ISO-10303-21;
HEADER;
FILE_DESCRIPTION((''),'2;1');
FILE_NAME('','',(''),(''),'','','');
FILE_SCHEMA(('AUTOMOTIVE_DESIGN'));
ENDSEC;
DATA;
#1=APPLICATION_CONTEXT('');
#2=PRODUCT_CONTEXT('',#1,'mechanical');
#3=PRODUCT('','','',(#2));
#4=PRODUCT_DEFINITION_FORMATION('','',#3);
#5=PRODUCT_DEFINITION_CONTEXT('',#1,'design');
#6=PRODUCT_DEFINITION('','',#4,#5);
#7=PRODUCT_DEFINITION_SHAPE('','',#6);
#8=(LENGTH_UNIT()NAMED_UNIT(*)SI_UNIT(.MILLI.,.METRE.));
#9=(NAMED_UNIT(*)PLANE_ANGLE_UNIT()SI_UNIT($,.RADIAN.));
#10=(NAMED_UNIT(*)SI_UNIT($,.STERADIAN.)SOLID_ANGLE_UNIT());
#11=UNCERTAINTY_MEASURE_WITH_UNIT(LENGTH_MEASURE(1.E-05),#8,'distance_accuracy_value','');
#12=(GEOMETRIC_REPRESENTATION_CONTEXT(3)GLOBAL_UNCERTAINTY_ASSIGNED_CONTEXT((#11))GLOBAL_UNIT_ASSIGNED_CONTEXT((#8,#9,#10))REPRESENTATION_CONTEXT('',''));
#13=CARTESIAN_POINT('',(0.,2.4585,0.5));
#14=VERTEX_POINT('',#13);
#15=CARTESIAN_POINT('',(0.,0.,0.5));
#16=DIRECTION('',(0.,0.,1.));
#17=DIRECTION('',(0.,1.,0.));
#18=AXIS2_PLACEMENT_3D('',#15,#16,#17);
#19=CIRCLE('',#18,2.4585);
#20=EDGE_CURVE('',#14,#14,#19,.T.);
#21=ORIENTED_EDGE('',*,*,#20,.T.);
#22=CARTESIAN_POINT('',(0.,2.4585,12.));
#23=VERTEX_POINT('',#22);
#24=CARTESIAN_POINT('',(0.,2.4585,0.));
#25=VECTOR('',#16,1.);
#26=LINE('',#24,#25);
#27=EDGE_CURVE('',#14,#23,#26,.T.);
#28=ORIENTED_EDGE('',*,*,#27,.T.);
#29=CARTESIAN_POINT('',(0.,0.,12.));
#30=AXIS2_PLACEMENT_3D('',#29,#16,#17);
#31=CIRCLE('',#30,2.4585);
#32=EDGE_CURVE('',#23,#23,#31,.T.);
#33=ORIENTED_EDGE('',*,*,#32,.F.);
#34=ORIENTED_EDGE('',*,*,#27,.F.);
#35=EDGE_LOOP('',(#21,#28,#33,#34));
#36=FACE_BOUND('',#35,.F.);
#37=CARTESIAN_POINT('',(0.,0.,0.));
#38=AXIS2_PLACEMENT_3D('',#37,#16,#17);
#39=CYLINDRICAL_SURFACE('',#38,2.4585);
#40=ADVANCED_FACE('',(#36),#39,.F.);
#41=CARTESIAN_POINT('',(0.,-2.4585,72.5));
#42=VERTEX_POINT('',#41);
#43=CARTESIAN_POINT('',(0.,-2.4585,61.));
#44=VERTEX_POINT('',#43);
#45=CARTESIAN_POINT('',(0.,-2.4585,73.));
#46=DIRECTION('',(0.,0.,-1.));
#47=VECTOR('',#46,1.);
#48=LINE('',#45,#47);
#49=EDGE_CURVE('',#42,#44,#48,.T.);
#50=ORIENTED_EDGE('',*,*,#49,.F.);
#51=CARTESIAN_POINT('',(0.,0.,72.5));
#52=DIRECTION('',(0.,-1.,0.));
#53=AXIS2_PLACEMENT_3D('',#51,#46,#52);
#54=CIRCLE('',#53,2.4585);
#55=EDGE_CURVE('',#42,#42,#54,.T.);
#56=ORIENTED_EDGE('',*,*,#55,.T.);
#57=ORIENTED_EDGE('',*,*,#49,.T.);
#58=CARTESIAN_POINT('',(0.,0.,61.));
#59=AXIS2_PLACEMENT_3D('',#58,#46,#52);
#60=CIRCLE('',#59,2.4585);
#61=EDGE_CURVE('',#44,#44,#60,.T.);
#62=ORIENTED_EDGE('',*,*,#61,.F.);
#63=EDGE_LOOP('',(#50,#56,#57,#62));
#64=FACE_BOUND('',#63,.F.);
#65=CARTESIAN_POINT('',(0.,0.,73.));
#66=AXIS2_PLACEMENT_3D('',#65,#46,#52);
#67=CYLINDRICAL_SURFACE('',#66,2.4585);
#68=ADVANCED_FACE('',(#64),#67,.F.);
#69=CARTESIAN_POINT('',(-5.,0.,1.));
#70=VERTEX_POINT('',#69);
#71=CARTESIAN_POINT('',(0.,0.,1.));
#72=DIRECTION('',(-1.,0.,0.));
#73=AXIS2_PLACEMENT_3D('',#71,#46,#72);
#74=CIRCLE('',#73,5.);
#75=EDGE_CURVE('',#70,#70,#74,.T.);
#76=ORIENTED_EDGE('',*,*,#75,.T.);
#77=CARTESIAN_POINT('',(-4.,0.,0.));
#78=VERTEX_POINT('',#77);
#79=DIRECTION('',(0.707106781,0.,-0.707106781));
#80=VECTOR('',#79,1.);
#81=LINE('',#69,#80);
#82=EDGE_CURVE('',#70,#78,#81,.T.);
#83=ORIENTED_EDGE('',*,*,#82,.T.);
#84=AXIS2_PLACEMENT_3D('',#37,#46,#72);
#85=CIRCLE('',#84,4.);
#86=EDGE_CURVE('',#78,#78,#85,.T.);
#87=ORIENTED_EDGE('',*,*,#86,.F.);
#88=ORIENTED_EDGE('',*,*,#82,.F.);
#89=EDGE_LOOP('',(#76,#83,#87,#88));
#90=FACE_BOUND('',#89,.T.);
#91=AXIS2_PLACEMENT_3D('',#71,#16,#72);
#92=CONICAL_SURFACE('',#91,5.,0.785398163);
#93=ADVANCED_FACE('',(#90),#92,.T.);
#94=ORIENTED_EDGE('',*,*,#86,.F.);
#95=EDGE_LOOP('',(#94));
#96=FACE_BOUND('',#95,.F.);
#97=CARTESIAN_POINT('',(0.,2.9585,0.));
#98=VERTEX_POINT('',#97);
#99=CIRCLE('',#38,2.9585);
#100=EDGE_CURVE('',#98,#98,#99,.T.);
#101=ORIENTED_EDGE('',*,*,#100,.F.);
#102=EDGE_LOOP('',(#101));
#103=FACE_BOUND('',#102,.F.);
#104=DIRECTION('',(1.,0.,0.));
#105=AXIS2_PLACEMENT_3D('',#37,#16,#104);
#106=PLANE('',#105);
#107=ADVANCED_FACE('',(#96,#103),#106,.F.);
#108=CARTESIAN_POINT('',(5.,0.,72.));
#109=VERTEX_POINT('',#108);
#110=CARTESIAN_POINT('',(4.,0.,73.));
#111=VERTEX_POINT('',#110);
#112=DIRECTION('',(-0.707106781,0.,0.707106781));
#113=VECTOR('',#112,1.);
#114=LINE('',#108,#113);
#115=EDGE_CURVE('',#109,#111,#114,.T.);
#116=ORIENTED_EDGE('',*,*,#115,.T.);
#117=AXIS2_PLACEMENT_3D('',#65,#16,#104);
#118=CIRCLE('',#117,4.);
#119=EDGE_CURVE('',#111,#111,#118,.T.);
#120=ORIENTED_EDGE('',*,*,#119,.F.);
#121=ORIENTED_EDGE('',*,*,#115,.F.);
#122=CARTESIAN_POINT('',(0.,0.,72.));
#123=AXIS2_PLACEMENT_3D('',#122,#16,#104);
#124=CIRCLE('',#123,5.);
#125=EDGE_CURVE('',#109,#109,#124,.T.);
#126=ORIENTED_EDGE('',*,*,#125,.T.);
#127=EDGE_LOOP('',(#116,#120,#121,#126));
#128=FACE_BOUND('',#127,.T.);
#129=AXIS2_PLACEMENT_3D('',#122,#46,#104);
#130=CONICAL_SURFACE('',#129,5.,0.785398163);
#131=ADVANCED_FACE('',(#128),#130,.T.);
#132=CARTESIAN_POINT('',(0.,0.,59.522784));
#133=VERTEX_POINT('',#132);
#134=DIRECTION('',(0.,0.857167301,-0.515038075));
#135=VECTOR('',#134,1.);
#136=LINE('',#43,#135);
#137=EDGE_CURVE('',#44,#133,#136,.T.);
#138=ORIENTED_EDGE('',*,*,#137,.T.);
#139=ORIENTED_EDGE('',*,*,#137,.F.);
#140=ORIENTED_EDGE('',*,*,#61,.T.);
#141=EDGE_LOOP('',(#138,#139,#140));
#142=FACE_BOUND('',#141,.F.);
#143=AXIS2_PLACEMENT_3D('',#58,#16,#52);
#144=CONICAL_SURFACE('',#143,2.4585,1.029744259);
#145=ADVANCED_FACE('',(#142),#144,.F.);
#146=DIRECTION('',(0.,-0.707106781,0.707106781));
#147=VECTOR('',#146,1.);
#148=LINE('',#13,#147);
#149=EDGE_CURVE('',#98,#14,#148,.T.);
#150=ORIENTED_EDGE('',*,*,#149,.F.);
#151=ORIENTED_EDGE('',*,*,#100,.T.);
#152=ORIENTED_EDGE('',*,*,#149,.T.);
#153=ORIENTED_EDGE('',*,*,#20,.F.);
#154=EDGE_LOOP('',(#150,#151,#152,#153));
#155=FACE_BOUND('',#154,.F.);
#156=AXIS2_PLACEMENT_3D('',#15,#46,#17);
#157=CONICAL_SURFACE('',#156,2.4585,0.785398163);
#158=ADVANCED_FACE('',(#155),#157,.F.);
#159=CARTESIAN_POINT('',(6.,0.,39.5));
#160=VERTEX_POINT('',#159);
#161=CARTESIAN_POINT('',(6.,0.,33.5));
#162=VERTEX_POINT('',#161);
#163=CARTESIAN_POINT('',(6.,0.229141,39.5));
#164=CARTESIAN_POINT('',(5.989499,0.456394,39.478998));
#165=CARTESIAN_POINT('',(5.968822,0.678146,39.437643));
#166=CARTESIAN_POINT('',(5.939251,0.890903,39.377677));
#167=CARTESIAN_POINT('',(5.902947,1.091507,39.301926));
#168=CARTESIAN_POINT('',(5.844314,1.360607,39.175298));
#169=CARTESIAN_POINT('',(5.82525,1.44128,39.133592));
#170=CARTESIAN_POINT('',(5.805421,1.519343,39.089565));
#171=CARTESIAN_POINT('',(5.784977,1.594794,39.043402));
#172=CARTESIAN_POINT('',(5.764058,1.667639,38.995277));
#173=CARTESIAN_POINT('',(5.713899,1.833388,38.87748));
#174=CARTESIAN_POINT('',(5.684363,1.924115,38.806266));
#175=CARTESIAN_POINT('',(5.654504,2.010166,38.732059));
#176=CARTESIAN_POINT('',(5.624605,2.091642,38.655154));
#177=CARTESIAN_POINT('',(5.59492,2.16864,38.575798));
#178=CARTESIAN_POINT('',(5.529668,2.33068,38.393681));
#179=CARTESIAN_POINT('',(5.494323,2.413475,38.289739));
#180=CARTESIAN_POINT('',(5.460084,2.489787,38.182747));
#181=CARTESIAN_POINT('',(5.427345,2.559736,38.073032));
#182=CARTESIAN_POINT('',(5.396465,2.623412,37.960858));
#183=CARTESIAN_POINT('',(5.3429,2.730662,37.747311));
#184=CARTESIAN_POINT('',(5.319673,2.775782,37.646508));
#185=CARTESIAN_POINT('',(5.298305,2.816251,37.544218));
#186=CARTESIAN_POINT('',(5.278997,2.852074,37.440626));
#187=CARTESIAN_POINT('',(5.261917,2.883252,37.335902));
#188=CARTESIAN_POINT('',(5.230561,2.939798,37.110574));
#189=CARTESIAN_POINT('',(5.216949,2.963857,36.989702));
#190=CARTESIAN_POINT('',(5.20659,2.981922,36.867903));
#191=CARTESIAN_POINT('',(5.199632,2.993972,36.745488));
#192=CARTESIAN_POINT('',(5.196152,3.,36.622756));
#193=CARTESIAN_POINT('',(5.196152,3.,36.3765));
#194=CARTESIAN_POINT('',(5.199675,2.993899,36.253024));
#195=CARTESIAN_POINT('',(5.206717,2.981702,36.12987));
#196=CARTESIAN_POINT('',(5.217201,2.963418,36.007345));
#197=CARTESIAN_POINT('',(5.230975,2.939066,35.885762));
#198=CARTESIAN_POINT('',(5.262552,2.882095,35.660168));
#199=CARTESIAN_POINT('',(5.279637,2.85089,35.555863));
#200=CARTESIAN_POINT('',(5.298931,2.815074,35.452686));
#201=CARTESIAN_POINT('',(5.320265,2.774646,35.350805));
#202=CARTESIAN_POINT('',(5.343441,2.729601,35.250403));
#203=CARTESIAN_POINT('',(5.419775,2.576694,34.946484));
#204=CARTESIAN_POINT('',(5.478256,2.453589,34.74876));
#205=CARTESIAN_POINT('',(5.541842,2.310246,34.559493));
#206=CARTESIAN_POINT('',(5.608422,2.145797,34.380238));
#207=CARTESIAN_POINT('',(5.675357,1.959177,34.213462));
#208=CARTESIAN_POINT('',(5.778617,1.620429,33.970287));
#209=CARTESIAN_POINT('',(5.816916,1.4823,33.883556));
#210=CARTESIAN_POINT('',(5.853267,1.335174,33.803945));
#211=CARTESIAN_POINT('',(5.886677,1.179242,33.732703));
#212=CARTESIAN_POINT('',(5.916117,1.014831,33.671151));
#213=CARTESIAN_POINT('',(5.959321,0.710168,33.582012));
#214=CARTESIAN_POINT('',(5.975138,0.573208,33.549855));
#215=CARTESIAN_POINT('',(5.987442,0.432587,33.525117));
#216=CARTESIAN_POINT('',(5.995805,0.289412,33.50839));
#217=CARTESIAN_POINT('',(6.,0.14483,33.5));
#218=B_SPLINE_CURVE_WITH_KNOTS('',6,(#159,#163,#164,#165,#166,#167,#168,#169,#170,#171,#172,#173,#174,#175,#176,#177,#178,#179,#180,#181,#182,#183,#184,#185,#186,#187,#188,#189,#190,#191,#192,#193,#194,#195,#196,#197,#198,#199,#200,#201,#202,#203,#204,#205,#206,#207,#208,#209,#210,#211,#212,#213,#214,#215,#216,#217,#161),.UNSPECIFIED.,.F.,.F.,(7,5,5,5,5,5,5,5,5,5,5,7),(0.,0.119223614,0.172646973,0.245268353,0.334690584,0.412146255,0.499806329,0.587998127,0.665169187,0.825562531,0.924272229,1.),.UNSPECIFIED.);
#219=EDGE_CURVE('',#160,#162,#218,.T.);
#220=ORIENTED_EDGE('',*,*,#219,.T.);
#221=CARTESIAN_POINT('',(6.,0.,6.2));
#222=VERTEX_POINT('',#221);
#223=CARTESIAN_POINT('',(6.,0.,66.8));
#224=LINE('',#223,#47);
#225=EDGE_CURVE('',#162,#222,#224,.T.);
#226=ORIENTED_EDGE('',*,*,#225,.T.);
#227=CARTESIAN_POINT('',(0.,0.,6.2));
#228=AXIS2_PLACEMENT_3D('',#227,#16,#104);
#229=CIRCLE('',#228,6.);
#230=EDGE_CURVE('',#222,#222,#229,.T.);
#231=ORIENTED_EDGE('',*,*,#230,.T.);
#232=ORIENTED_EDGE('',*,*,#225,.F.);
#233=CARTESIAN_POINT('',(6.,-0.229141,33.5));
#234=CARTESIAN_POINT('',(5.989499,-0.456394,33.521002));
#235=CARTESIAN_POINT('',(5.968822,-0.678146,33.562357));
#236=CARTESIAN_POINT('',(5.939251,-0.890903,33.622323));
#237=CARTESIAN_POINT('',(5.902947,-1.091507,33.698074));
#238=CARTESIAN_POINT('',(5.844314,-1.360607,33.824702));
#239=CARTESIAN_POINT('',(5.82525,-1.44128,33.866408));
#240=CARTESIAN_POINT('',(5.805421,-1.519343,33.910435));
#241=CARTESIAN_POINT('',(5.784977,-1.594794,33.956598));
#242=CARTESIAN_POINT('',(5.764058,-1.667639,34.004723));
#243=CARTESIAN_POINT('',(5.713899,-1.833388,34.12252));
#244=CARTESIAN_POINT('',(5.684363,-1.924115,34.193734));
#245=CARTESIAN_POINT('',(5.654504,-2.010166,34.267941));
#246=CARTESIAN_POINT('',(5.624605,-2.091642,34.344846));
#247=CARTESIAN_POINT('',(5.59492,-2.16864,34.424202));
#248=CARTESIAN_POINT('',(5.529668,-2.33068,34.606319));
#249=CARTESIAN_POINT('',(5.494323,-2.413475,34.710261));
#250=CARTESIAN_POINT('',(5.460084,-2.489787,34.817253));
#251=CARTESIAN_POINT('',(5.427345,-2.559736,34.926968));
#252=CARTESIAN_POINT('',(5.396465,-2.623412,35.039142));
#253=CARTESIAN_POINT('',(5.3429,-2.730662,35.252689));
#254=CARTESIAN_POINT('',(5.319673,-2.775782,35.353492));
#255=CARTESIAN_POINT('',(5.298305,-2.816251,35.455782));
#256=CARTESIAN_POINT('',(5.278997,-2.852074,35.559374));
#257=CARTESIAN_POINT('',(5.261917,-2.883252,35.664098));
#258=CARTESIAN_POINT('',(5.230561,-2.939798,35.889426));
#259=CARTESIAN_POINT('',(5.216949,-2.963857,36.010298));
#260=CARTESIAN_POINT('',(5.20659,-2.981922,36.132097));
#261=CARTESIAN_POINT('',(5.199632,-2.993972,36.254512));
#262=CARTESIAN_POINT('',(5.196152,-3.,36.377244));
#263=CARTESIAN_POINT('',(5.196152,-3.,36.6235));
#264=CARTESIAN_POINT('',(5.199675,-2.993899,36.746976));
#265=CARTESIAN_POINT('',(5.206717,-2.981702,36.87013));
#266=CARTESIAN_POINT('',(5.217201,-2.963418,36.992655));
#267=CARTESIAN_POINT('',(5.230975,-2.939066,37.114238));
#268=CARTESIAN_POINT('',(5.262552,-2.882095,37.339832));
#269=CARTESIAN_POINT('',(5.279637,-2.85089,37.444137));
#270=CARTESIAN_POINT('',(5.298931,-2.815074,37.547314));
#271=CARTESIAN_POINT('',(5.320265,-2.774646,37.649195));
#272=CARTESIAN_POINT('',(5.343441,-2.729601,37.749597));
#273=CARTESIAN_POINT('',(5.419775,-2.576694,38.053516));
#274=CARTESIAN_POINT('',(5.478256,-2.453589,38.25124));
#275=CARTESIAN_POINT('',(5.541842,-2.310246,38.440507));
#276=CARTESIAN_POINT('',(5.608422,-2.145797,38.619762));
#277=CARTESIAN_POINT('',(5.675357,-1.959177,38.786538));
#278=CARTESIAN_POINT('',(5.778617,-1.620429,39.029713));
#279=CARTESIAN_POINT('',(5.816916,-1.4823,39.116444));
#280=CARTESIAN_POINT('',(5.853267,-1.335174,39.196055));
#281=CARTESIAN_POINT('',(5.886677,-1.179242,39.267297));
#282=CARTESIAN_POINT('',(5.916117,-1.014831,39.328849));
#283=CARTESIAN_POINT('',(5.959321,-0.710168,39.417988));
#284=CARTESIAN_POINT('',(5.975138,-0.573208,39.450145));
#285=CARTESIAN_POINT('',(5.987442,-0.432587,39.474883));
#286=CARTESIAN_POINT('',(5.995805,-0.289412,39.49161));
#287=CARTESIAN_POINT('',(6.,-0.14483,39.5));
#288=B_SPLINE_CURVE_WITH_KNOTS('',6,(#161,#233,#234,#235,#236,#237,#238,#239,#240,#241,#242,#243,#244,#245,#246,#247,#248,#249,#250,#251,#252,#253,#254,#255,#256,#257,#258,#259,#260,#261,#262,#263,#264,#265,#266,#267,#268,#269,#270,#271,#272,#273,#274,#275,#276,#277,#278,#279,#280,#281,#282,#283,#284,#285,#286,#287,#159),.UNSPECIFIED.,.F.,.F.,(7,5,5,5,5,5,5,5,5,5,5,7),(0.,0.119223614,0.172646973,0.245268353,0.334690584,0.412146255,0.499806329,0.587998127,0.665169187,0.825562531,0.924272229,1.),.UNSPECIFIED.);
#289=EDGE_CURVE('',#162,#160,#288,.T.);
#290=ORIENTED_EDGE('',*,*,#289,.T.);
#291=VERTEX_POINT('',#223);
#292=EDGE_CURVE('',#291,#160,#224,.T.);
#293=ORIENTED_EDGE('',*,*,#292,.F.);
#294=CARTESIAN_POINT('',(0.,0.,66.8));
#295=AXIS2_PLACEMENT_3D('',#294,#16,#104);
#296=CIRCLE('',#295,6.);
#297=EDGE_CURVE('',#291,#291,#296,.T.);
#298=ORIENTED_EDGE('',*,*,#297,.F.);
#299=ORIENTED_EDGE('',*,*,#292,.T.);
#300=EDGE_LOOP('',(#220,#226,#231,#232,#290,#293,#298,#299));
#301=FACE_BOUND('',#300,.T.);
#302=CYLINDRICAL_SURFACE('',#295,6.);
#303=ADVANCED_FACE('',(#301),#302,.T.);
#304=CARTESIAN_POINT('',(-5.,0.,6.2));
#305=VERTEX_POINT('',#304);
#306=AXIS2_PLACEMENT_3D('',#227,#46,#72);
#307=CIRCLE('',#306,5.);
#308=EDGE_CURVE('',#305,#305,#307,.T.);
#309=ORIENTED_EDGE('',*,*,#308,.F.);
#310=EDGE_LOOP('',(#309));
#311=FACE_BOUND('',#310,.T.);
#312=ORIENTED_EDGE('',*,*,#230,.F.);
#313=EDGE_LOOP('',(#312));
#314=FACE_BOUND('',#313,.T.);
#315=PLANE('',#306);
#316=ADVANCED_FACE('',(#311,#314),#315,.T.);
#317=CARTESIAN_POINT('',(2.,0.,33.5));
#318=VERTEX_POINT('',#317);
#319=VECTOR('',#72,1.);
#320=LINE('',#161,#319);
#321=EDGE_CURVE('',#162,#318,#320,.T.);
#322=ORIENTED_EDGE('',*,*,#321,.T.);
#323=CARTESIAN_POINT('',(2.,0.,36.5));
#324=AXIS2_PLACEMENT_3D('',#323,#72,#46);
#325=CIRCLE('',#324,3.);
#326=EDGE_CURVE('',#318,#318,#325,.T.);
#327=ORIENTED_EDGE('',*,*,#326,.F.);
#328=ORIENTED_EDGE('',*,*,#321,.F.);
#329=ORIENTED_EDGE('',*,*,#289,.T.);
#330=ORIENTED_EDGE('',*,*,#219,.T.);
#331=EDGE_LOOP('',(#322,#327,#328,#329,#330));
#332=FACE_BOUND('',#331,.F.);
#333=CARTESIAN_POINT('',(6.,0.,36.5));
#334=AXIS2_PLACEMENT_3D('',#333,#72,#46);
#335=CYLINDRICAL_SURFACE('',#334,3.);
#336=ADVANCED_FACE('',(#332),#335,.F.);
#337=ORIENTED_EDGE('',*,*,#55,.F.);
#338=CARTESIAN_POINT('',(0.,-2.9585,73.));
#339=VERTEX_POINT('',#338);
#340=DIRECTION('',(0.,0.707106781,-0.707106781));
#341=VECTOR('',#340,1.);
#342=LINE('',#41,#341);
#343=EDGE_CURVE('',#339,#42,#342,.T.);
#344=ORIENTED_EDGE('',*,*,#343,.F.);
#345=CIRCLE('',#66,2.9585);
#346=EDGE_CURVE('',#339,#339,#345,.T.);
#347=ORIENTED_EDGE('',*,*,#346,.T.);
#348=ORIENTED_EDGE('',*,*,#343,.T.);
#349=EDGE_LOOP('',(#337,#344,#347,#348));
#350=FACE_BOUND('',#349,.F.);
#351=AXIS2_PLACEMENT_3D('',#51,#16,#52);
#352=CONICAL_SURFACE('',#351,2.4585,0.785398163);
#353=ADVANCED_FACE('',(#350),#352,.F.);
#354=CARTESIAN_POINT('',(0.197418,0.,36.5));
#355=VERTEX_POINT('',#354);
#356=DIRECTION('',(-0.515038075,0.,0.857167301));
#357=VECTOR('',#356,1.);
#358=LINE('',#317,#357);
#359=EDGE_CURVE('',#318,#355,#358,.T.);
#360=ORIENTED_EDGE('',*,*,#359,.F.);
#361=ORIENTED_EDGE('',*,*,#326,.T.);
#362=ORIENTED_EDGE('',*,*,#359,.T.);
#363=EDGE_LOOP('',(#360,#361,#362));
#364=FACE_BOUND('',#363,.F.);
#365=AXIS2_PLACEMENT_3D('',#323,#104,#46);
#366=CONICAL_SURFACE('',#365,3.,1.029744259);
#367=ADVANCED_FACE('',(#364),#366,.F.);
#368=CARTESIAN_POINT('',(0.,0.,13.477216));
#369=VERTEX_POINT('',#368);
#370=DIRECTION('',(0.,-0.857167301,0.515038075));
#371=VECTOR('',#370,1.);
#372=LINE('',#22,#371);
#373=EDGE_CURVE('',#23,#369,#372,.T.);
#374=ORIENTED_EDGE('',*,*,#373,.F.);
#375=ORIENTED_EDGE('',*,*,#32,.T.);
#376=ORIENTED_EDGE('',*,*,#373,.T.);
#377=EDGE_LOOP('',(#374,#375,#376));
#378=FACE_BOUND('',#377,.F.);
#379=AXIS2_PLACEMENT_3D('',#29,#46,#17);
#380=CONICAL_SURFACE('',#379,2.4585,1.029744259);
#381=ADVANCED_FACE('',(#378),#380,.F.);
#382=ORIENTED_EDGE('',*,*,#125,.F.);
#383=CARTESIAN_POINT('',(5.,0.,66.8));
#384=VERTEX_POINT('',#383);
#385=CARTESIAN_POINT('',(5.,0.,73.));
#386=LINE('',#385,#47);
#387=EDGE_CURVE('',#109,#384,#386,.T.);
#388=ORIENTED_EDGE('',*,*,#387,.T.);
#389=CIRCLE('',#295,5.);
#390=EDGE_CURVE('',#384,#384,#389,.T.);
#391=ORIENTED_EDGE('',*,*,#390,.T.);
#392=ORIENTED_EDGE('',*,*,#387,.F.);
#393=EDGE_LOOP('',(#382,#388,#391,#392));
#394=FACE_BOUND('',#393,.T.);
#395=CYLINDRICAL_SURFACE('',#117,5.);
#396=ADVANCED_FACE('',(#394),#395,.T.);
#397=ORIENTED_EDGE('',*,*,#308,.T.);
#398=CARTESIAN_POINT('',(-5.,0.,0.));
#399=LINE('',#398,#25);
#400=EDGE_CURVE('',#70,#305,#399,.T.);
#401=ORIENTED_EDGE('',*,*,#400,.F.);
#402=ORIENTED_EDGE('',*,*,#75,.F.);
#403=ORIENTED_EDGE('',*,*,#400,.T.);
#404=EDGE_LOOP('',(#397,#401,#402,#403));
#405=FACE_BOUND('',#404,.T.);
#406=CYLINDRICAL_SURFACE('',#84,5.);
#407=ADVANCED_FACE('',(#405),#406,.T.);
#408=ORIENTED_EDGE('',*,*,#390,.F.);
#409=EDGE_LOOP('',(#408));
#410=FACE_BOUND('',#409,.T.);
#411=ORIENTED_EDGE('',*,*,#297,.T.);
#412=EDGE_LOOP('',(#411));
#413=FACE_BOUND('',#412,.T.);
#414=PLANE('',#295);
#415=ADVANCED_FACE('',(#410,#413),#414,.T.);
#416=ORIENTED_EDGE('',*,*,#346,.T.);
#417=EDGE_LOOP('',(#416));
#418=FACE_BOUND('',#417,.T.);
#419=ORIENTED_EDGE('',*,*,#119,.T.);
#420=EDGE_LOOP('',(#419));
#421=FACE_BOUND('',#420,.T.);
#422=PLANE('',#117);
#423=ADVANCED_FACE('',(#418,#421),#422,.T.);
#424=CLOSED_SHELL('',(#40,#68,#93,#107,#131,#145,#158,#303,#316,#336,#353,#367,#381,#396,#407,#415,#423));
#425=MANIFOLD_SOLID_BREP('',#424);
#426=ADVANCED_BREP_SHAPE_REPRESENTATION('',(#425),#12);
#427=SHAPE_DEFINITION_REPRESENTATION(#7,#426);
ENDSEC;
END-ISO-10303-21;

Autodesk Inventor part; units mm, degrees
ref_plane "XZ Plane" through (0, 0, 0) normal (0, 1, 0) x (-1, 0, 0)
ref_plane "XY Plane" through (0, 0, 0) normal (0, 0, 1) x (1, 0, 0)
sketch "Sketch1" plane through (0, 0, 0) normal (0, 0, 1) x (1, 0, 0)
  circle A0 centre (0, 0) radius 8
  dimension "d0" = 16
extrude "Extrusion1" add sketch "Sketch1" along normal blind 73
sketch "Sketch2" plane through (0, 0, 0) normal (0, 0, -1) x (-1, 0, 0)
  circle A0 centre (0, 0) radius 8 projected
  circle A1 centre (0, 0) radius 5
  dimension "d6" = 10
extrude "Extrusion2" cut sketch "Sketch2" against normal blind 6.2
sketch "Sketch3" plane through (0, 0, 73) normal (0, 0, 1) x (1, 0, 0)
  circle A0 centre (0, 0) radius 8 projected
  circle A1 centre (0, 0) radius 5
  dimension "d9" = 10
extrude "Extrusion3" cut sketch "Sketch3" against normal blind 6.2
chamfer "Chamfer2" distance 1 angle 45 2 edges at (-5, 0, 73) (5, 0, 0)
sketch "Sketch4" plane through (0, 0, 0) normal (0, 0, -1) x (-1, 0, 0)
  circle A0 centre (0, 0) radius 4 projected
hole "Hole1" at (0, 0, 0) direction (0, 0, 1) diameter 4.917 depth 12 tip angle 118 thread size "M6x1" class "6H" standard "ANSI Metric M Profile"
sketch "Sketch5" plane through (0, 0, 73) normal (0, 0, 1) x (1, 0, 0)
  circle A0 centre (0, 0) radius 4 projected
hole "Hole2" at (0, 0, 73) direction (0, 0, -1) diameter 4.917 depth 12 tip angle 118 thread size "M6x1" class "6H" standard "ANSI Metric M Profile"
chamfer "Chamfer3" distance 0.5 angle 45 2 edges at (0, 2.4585, 73) (0, -2.4585, 0)
sketch "Sketch6" plane through (0, 0, 66.8) normal (0, 0, 1) x (1, 0, 0)
  circle A0 centre (0, 0) radius 8 projected
  circle A1 centre (0, 0) radius 6
  dimension "d32" = 12
extrude "Extrusion4" cut sketch "Sketch6" against normal blind 60.6
ref_plane "Work Plane1" through (6, 0, 66.8) normal (1, 0, 0) x (0, 1, 0)
sketch "Sketch7" plane through (6, 0, 66.8) normal (1, 0, 0) x (0, 1, 0)
  line L0 (-6, -60.6) -> (6, -60.6) projected
  line L1 (6, 0) -> (-6, 0) projected
  circle A0 centre (0, -30.3) radius 3
  point P0 (0, -66.8)
  dimension "d35" = 6
  dimension "d36" = 30.3
hole "Hole3" at (6, 0, 36.5) direction (-1, 0, 0) diameter 6 depth 4 tip angle 118
properties part number "EIXO DIANTEIRO(34)" material "Carbon Steel"
